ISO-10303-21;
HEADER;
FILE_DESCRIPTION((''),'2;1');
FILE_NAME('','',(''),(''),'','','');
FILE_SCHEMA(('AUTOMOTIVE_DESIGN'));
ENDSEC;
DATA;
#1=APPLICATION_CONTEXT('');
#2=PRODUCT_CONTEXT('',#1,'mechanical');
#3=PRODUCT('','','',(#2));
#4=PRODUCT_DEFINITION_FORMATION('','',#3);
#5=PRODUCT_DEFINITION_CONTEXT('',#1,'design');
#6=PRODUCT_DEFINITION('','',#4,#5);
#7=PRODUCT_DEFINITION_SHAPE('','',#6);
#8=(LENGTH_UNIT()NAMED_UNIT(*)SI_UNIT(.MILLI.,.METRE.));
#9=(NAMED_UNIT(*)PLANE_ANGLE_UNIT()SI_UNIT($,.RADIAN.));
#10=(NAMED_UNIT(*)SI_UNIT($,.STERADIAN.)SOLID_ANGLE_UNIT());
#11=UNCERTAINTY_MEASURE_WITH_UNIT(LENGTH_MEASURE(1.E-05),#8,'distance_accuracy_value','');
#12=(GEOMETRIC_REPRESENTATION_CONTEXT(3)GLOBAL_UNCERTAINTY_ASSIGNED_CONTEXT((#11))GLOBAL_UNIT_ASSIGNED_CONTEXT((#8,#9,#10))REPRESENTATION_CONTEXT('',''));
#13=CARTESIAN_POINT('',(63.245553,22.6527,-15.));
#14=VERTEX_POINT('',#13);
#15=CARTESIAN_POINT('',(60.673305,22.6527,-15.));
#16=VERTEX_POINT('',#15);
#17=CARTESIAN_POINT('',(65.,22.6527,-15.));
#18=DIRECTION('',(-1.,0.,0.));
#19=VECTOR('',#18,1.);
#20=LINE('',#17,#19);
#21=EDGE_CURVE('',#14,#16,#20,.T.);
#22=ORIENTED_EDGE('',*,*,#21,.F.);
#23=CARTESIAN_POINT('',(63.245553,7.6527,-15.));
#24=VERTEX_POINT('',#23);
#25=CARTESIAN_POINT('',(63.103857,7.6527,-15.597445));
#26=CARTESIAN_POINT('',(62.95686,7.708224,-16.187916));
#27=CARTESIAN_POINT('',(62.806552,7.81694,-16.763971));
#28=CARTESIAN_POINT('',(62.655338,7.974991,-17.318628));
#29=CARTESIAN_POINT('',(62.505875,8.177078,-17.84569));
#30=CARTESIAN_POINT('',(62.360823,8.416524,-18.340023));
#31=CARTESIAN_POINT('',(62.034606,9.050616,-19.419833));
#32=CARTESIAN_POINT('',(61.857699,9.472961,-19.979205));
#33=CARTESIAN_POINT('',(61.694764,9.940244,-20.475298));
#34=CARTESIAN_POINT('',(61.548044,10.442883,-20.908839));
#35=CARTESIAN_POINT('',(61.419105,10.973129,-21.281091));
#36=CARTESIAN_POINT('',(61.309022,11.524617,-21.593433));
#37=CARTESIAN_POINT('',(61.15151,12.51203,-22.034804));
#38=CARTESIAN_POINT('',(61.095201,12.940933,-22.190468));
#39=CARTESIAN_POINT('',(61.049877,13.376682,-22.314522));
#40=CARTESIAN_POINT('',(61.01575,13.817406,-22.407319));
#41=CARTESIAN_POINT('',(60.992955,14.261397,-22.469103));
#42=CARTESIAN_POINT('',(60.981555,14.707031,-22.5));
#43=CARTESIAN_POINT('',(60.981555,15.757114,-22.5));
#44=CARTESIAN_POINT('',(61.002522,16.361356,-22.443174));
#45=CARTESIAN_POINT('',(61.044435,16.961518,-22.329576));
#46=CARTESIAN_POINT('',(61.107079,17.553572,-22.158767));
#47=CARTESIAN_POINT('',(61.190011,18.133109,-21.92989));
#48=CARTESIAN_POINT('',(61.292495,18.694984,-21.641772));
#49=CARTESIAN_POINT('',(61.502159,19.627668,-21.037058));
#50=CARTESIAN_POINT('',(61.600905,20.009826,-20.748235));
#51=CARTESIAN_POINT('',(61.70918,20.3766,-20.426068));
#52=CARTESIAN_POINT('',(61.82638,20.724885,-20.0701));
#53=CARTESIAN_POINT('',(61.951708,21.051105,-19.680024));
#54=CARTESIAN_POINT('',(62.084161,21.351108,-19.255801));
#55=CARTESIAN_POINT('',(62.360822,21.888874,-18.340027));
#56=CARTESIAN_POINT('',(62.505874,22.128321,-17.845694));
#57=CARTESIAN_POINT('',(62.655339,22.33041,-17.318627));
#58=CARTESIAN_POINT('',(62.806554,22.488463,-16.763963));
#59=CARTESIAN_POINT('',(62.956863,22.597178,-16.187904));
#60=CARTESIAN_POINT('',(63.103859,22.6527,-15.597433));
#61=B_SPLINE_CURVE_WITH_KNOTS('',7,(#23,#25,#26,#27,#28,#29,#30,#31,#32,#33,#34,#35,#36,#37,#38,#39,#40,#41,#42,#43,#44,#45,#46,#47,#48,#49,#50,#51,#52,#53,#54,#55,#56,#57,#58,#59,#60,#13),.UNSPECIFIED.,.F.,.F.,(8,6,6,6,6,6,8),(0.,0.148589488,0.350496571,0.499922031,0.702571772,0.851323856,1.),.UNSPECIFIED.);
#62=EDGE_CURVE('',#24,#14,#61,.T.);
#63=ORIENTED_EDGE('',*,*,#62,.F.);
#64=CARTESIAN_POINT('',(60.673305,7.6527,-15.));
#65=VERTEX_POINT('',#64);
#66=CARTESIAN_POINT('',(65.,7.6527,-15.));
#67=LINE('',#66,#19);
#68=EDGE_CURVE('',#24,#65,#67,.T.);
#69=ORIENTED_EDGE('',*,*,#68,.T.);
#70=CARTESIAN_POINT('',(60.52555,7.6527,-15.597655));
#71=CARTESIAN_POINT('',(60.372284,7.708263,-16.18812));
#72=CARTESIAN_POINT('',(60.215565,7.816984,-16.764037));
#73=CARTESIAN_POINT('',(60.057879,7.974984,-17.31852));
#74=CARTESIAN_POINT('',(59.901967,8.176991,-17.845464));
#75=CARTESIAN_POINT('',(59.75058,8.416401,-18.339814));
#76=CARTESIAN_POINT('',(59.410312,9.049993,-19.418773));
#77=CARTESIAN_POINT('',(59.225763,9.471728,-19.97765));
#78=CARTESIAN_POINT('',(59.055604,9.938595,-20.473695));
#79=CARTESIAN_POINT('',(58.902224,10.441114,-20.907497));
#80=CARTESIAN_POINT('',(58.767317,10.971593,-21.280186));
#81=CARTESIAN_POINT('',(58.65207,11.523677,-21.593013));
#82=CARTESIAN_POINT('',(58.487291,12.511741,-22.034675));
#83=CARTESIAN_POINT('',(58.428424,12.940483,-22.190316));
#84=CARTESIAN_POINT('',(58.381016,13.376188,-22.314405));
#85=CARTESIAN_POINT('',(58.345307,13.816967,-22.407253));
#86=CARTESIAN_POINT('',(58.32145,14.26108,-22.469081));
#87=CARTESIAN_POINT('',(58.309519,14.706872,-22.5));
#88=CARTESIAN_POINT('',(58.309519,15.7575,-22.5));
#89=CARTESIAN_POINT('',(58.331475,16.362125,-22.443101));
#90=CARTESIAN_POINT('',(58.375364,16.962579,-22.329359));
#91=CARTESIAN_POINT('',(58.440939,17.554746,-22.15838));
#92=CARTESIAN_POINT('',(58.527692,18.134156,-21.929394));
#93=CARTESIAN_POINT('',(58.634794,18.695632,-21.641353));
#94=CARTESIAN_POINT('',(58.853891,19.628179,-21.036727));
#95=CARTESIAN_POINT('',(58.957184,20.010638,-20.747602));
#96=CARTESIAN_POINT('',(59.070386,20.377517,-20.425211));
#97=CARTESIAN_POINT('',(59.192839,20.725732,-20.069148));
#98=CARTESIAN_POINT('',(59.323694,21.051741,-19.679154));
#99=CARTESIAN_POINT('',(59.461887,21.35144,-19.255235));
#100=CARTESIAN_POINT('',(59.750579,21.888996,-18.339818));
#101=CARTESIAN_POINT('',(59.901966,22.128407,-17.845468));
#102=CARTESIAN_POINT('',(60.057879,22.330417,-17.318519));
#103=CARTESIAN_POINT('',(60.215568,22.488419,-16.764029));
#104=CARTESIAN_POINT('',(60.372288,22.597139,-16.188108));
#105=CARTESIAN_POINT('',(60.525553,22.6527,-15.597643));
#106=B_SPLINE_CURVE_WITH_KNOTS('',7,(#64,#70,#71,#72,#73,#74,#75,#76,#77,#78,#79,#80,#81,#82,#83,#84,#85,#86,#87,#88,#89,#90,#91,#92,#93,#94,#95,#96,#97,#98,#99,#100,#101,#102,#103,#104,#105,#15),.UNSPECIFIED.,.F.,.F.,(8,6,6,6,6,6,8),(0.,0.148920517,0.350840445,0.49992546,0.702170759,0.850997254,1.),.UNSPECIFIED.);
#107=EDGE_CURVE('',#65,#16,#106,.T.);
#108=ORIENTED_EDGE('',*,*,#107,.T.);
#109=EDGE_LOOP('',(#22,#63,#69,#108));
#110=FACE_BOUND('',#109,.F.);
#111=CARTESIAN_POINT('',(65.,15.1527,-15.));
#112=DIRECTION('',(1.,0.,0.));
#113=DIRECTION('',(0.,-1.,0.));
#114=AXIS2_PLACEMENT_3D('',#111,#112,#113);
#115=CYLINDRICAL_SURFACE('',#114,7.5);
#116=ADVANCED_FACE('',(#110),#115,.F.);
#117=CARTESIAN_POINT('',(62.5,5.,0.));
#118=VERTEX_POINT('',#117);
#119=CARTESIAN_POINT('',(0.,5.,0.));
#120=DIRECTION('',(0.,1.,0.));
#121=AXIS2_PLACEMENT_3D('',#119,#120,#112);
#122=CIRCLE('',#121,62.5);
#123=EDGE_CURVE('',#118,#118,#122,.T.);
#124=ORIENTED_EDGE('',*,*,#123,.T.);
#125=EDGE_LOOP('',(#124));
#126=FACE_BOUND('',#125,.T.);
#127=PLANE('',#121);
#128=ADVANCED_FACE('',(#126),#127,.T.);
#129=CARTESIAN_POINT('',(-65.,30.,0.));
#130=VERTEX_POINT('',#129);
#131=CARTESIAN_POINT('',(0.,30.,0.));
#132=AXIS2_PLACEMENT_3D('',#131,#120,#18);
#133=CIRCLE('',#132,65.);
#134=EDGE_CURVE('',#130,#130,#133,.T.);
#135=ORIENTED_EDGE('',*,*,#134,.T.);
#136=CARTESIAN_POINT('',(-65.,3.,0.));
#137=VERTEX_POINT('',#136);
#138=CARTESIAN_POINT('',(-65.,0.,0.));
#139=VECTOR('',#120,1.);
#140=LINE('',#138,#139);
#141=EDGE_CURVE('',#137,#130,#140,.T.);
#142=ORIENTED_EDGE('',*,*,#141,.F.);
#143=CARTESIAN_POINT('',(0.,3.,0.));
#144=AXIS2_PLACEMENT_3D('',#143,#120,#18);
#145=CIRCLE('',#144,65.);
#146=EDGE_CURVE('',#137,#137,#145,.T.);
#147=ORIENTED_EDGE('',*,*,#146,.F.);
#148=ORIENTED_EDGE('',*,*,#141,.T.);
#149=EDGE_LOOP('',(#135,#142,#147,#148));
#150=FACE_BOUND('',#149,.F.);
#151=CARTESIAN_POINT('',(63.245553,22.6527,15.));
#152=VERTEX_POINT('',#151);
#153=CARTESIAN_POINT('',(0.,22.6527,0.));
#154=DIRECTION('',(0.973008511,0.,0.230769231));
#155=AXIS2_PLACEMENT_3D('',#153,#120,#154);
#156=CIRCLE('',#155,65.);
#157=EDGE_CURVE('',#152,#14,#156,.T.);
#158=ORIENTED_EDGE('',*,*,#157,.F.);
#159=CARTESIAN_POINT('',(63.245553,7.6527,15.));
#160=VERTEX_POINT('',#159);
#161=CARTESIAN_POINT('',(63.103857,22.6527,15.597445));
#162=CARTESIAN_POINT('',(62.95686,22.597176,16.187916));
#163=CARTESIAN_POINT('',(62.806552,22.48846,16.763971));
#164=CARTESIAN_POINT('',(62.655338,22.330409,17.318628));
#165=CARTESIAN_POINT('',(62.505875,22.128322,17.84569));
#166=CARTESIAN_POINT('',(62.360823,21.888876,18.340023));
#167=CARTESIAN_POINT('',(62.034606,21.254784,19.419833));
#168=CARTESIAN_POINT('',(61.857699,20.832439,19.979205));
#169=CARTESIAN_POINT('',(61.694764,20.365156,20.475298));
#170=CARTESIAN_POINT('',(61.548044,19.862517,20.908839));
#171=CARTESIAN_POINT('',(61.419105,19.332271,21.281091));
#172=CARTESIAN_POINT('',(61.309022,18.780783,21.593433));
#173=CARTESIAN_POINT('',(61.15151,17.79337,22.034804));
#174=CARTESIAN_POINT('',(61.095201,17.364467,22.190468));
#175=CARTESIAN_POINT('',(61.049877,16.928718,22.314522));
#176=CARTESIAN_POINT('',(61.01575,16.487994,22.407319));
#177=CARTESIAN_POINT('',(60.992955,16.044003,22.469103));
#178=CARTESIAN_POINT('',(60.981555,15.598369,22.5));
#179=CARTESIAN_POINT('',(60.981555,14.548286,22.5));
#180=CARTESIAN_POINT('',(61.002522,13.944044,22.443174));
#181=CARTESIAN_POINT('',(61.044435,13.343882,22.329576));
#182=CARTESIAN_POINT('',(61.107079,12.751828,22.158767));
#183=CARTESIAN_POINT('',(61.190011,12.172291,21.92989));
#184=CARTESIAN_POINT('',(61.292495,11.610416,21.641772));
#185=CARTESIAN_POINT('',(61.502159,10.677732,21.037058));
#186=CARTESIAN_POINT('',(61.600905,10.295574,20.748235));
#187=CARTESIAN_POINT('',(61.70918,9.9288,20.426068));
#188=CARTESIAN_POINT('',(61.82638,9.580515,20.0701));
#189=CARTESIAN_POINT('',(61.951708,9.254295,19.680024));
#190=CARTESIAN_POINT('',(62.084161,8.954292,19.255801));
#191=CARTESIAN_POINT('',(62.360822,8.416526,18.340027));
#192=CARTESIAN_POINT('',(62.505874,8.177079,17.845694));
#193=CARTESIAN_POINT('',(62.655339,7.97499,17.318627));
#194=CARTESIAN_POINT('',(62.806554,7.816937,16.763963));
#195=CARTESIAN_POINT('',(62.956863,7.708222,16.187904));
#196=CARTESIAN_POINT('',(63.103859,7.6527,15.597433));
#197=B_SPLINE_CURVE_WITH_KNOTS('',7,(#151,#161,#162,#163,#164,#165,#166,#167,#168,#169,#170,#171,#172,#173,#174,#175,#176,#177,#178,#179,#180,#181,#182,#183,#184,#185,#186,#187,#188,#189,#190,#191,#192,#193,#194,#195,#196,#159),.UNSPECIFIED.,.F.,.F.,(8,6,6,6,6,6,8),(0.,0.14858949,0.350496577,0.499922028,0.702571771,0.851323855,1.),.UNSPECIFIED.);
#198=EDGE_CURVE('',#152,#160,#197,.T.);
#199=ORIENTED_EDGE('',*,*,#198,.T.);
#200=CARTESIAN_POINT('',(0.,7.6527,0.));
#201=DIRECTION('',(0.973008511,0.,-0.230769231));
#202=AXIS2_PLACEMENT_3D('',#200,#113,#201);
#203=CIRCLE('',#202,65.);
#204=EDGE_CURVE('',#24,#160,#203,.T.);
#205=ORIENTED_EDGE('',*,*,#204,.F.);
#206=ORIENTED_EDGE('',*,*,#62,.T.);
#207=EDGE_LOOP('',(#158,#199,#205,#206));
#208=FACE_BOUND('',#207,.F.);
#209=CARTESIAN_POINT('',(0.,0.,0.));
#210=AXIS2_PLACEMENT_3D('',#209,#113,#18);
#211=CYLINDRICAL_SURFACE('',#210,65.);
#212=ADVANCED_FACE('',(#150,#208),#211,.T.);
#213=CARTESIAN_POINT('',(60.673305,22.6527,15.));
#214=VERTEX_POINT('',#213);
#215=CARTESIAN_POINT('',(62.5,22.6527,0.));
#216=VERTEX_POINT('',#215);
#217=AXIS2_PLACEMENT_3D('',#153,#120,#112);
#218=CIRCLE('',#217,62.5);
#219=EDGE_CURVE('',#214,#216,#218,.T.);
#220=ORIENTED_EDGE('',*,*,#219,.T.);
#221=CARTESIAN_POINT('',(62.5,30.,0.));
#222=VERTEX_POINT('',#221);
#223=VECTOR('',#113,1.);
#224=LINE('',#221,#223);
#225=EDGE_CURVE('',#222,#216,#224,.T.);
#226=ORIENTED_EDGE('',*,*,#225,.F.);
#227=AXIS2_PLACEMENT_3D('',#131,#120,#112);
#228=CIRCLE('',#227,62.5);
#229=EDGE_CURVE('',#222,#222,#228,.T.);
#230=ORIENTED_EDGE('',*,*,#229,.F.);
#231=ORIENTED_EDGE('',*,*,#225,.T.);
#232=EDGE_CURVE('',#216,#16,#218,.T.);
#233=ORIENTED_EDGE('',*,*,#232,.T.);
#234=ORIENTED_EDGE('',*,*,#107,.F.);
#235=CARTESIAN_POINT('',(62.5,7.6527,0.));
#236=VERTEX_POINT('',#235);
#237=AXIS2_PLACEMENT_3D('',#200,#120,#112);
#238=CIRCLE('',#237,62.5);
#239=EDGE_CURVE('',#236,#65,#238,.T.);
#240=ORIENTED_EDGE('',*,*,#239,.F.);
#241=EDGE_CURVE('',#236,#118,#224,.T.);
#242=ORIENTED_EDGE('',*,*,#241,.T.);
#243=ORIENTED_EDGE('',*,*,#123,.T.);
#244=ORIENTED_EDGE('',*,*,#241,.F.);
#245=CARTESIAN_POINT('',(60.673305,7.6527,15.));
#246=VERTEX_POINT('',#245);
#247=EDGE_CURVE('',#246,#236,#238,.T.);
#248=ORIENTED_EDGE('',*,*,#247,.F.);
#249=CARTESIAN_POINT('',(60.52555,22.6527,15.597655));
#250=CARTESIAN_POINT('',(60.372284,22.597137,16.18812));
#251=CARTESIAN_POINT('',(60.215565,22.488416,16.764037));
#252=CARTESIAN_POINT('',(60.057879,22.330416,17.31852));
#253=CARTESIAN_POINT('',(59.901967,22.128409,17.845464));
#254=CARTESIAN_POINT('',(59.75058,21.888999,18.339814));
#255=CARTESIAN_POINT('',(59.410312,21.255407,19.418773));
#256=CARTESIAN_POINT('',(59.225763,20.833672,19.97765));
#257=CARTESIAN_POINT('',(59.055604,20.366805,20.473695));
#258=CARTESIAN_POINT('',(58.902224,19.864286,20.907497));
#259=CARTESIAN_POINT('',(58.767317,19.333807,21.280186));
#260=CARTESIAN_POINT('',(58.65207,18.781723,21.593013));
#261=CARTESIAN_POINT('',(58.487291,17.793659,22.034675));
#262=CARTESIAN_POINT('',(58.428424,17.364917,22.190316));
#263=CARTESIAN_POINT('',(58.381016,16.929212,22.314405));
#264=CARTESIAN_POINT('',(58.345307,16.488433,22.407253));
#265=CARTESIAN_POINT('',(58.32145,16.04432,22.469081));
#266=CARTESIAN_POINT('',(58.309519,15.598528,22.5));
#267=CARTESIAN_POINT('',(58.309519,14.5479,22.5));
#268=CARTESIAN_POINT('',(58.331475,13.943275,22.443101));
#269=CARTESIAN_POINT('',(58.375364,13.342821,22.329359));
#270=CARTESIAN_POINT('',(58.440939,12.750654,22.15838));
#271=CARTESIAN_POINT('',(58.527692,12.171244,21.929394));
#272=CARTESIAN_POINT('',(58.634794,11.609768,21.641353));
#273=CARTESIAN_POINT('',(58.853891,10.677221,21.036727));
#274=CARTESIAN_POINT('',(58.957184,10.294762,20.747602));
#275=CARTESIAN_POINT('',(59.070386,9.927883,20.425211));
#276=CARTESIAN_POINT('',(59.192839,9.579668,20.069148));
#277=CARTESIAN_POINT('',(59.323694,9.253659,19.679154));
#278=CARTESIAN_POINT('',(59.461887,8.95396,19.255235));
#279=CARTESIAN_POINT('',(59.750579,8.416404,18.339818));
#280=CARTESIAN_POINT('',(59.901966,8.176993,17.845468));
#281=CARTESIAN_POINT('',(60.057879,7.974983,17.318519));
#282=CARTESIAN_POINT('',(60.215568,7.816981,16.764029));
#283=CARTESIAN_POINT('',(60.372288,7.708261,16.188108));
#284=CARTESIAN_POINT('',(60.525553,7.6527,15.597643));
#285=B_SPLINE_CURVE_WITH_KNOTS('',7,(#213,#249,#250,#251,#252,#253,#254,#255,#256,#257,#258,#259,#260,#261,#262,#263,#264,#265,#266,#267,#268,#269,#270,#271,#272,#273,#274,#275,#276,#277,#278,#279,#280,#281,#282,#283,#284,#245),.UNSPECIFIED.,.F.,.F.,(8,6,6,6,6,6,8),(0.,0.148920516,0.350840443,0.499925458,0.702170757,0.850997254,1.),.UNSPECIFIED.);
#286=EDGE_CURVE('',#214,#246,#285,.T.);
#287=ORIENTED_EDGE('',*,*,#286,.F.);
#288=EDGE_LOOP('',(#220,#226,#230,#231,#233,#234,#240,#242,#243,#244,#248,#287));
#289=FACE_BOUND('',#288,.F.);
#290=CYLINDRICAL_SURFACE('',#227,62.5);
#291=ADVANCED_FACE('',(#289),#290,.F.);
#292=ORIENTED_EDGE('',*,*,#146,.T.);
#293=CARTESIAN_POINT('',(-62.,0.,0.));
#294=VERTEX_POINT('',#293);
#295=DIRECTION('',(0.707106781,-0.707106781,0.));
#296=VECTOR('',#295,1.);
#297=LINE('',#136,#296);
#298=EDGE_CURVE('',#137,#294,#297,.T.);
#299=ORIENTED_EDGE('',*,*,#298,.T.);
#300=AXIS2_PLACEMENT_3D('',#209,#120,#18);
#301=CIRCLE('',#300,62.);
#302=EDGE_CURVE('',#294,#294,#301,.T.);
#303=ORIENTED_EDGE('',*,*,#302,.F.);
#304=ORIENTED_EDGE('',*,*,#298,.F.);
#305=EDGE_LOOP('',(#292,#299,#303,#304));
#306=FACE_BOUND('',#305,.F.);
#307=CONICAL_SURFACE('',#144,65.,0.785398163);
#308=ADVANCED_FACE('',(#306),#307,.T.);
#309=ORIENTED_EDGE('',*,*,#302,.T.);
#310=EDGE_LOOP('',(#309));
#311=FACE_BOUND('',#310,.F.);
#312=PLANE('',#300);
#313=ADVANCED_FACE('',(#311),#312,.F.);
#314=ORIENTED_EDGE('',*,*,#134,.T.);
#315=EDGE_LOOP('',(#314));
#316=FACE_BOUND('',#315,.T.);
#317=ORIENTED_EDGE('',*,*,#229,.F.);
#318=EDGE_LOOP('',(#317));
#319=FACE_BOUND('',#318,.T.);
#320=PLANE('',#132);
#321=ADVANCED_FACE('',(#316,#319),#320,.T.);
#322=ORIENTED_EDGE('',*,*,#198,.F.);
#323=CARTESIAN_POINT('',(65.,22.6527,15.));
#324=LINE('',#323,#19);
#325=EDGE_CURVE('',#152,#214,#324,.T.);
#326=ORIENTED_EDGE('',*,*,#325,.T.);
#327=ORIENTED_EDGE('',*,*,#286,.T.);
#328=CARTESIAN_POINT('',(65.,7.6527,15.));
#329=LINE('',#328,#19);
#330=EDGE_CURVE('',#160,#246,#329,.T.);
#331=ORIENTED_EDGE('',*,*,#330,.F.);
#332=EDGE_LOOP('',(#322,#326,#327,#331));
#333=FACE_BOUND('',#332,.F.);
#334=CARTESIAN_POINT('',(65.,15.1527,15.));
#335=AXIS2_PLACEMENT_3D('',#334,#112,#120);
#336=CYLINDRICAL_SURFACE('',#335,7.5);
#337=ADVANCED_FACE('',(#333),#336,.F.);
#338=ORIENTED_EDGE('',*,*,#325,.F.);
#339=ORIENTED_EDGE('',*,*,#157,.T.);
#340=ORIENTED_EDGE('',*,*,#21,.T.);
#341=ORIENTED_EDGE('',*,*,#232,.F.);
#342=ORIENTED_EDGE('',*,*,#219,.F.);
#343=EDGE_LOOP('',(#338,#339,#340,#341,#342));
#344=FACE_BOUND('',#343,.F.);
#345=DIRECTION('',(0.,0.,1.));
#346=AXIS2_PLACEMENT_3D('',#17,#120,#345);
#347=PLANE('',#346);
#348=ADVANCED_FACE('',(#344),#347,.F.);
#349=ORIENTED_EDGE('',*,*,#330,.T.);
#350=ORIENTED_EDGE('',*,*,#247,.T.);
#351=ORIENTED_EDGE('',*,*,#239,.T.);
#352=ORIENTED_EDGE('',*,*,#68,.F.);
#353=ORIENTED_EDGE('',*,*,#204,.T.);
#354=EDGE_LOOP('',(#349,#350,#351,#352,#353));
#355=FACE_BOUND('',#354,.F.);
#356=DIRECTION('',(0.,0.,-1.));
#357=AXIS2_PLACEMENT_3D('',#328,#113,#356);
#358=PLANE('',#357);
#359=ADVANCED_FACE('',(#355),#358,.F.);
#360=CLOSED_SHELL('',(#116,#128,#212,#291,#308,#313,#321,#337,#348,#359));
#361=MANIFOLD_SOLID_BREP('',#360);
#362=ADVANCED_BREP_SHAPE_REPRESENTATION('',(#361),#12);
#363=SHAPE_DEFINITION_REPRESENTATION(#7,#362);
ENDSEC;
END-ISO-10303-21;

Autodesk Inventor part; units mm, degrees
ref_plane "XY Plane" through (0, 0, 0) normal (0, 0, 1) x (1, 0, 0)
sketch "Sketch2" plane through (0, 0, 0) normal (0, 1, 0) x (-1, 0, 0)
  circle A0 centre (0, 0) radius 65
  dimension "d0" = 130
extrude "Extrusion1" add sketch "Sketch2" along normal blind 30
sketch "Sketch3" plane through (0, 30, 0) normal (0, 1, 0) x (1, 0, 0)
  circle A0 centre (0, 0) radius 62.5
  dimension "d3" = 125
extrude "Extrusion2" cut sketch "Sketch3" against normal blind 25
chamfer "Chamfer1" distance 3 angle 45 1 edges at (65, 0, 0)
sketch "Sketch4" plane through (0, 0, 0) normal (0, 1, 0) x (-1, 0, 0)
  line L0 (0, 0) -> (-65, 0)
  circle A0 centre (0, 0) radius 65 projected
ref_plane "Work Plane1" through (65, 0, 0) normal (1, 0, 0) x (0, 1, 0)
sketch "Sketch5" plane through (65, 0, 0) normal (1, 0, 0) x (0, 1, 0)
  line L0 (15.1527, 15) -> (15.1527, -15) construction
  line L1 (7.6527, 15) -> (7.6527, -15)
  line L2 (22.6527, -15) -> (22.6527, 15)
  arc A0 (22.6527, 15) -> (7.6527, 15) centre (15.1527, 15) ccw
  arc A1 (7.6527, -15) -> (22.6527, -15) centre (15.1527, -15) ccw
  point P0 (0, 0)
  point P1 (15.1527, 0)
  dimension "d9" = 15
  dimension "d10" = 15
extrude "Extrusion3" cut sketch "Sketch5" against normal blind 10
properties part number "Gehaeuse_prototyp"
